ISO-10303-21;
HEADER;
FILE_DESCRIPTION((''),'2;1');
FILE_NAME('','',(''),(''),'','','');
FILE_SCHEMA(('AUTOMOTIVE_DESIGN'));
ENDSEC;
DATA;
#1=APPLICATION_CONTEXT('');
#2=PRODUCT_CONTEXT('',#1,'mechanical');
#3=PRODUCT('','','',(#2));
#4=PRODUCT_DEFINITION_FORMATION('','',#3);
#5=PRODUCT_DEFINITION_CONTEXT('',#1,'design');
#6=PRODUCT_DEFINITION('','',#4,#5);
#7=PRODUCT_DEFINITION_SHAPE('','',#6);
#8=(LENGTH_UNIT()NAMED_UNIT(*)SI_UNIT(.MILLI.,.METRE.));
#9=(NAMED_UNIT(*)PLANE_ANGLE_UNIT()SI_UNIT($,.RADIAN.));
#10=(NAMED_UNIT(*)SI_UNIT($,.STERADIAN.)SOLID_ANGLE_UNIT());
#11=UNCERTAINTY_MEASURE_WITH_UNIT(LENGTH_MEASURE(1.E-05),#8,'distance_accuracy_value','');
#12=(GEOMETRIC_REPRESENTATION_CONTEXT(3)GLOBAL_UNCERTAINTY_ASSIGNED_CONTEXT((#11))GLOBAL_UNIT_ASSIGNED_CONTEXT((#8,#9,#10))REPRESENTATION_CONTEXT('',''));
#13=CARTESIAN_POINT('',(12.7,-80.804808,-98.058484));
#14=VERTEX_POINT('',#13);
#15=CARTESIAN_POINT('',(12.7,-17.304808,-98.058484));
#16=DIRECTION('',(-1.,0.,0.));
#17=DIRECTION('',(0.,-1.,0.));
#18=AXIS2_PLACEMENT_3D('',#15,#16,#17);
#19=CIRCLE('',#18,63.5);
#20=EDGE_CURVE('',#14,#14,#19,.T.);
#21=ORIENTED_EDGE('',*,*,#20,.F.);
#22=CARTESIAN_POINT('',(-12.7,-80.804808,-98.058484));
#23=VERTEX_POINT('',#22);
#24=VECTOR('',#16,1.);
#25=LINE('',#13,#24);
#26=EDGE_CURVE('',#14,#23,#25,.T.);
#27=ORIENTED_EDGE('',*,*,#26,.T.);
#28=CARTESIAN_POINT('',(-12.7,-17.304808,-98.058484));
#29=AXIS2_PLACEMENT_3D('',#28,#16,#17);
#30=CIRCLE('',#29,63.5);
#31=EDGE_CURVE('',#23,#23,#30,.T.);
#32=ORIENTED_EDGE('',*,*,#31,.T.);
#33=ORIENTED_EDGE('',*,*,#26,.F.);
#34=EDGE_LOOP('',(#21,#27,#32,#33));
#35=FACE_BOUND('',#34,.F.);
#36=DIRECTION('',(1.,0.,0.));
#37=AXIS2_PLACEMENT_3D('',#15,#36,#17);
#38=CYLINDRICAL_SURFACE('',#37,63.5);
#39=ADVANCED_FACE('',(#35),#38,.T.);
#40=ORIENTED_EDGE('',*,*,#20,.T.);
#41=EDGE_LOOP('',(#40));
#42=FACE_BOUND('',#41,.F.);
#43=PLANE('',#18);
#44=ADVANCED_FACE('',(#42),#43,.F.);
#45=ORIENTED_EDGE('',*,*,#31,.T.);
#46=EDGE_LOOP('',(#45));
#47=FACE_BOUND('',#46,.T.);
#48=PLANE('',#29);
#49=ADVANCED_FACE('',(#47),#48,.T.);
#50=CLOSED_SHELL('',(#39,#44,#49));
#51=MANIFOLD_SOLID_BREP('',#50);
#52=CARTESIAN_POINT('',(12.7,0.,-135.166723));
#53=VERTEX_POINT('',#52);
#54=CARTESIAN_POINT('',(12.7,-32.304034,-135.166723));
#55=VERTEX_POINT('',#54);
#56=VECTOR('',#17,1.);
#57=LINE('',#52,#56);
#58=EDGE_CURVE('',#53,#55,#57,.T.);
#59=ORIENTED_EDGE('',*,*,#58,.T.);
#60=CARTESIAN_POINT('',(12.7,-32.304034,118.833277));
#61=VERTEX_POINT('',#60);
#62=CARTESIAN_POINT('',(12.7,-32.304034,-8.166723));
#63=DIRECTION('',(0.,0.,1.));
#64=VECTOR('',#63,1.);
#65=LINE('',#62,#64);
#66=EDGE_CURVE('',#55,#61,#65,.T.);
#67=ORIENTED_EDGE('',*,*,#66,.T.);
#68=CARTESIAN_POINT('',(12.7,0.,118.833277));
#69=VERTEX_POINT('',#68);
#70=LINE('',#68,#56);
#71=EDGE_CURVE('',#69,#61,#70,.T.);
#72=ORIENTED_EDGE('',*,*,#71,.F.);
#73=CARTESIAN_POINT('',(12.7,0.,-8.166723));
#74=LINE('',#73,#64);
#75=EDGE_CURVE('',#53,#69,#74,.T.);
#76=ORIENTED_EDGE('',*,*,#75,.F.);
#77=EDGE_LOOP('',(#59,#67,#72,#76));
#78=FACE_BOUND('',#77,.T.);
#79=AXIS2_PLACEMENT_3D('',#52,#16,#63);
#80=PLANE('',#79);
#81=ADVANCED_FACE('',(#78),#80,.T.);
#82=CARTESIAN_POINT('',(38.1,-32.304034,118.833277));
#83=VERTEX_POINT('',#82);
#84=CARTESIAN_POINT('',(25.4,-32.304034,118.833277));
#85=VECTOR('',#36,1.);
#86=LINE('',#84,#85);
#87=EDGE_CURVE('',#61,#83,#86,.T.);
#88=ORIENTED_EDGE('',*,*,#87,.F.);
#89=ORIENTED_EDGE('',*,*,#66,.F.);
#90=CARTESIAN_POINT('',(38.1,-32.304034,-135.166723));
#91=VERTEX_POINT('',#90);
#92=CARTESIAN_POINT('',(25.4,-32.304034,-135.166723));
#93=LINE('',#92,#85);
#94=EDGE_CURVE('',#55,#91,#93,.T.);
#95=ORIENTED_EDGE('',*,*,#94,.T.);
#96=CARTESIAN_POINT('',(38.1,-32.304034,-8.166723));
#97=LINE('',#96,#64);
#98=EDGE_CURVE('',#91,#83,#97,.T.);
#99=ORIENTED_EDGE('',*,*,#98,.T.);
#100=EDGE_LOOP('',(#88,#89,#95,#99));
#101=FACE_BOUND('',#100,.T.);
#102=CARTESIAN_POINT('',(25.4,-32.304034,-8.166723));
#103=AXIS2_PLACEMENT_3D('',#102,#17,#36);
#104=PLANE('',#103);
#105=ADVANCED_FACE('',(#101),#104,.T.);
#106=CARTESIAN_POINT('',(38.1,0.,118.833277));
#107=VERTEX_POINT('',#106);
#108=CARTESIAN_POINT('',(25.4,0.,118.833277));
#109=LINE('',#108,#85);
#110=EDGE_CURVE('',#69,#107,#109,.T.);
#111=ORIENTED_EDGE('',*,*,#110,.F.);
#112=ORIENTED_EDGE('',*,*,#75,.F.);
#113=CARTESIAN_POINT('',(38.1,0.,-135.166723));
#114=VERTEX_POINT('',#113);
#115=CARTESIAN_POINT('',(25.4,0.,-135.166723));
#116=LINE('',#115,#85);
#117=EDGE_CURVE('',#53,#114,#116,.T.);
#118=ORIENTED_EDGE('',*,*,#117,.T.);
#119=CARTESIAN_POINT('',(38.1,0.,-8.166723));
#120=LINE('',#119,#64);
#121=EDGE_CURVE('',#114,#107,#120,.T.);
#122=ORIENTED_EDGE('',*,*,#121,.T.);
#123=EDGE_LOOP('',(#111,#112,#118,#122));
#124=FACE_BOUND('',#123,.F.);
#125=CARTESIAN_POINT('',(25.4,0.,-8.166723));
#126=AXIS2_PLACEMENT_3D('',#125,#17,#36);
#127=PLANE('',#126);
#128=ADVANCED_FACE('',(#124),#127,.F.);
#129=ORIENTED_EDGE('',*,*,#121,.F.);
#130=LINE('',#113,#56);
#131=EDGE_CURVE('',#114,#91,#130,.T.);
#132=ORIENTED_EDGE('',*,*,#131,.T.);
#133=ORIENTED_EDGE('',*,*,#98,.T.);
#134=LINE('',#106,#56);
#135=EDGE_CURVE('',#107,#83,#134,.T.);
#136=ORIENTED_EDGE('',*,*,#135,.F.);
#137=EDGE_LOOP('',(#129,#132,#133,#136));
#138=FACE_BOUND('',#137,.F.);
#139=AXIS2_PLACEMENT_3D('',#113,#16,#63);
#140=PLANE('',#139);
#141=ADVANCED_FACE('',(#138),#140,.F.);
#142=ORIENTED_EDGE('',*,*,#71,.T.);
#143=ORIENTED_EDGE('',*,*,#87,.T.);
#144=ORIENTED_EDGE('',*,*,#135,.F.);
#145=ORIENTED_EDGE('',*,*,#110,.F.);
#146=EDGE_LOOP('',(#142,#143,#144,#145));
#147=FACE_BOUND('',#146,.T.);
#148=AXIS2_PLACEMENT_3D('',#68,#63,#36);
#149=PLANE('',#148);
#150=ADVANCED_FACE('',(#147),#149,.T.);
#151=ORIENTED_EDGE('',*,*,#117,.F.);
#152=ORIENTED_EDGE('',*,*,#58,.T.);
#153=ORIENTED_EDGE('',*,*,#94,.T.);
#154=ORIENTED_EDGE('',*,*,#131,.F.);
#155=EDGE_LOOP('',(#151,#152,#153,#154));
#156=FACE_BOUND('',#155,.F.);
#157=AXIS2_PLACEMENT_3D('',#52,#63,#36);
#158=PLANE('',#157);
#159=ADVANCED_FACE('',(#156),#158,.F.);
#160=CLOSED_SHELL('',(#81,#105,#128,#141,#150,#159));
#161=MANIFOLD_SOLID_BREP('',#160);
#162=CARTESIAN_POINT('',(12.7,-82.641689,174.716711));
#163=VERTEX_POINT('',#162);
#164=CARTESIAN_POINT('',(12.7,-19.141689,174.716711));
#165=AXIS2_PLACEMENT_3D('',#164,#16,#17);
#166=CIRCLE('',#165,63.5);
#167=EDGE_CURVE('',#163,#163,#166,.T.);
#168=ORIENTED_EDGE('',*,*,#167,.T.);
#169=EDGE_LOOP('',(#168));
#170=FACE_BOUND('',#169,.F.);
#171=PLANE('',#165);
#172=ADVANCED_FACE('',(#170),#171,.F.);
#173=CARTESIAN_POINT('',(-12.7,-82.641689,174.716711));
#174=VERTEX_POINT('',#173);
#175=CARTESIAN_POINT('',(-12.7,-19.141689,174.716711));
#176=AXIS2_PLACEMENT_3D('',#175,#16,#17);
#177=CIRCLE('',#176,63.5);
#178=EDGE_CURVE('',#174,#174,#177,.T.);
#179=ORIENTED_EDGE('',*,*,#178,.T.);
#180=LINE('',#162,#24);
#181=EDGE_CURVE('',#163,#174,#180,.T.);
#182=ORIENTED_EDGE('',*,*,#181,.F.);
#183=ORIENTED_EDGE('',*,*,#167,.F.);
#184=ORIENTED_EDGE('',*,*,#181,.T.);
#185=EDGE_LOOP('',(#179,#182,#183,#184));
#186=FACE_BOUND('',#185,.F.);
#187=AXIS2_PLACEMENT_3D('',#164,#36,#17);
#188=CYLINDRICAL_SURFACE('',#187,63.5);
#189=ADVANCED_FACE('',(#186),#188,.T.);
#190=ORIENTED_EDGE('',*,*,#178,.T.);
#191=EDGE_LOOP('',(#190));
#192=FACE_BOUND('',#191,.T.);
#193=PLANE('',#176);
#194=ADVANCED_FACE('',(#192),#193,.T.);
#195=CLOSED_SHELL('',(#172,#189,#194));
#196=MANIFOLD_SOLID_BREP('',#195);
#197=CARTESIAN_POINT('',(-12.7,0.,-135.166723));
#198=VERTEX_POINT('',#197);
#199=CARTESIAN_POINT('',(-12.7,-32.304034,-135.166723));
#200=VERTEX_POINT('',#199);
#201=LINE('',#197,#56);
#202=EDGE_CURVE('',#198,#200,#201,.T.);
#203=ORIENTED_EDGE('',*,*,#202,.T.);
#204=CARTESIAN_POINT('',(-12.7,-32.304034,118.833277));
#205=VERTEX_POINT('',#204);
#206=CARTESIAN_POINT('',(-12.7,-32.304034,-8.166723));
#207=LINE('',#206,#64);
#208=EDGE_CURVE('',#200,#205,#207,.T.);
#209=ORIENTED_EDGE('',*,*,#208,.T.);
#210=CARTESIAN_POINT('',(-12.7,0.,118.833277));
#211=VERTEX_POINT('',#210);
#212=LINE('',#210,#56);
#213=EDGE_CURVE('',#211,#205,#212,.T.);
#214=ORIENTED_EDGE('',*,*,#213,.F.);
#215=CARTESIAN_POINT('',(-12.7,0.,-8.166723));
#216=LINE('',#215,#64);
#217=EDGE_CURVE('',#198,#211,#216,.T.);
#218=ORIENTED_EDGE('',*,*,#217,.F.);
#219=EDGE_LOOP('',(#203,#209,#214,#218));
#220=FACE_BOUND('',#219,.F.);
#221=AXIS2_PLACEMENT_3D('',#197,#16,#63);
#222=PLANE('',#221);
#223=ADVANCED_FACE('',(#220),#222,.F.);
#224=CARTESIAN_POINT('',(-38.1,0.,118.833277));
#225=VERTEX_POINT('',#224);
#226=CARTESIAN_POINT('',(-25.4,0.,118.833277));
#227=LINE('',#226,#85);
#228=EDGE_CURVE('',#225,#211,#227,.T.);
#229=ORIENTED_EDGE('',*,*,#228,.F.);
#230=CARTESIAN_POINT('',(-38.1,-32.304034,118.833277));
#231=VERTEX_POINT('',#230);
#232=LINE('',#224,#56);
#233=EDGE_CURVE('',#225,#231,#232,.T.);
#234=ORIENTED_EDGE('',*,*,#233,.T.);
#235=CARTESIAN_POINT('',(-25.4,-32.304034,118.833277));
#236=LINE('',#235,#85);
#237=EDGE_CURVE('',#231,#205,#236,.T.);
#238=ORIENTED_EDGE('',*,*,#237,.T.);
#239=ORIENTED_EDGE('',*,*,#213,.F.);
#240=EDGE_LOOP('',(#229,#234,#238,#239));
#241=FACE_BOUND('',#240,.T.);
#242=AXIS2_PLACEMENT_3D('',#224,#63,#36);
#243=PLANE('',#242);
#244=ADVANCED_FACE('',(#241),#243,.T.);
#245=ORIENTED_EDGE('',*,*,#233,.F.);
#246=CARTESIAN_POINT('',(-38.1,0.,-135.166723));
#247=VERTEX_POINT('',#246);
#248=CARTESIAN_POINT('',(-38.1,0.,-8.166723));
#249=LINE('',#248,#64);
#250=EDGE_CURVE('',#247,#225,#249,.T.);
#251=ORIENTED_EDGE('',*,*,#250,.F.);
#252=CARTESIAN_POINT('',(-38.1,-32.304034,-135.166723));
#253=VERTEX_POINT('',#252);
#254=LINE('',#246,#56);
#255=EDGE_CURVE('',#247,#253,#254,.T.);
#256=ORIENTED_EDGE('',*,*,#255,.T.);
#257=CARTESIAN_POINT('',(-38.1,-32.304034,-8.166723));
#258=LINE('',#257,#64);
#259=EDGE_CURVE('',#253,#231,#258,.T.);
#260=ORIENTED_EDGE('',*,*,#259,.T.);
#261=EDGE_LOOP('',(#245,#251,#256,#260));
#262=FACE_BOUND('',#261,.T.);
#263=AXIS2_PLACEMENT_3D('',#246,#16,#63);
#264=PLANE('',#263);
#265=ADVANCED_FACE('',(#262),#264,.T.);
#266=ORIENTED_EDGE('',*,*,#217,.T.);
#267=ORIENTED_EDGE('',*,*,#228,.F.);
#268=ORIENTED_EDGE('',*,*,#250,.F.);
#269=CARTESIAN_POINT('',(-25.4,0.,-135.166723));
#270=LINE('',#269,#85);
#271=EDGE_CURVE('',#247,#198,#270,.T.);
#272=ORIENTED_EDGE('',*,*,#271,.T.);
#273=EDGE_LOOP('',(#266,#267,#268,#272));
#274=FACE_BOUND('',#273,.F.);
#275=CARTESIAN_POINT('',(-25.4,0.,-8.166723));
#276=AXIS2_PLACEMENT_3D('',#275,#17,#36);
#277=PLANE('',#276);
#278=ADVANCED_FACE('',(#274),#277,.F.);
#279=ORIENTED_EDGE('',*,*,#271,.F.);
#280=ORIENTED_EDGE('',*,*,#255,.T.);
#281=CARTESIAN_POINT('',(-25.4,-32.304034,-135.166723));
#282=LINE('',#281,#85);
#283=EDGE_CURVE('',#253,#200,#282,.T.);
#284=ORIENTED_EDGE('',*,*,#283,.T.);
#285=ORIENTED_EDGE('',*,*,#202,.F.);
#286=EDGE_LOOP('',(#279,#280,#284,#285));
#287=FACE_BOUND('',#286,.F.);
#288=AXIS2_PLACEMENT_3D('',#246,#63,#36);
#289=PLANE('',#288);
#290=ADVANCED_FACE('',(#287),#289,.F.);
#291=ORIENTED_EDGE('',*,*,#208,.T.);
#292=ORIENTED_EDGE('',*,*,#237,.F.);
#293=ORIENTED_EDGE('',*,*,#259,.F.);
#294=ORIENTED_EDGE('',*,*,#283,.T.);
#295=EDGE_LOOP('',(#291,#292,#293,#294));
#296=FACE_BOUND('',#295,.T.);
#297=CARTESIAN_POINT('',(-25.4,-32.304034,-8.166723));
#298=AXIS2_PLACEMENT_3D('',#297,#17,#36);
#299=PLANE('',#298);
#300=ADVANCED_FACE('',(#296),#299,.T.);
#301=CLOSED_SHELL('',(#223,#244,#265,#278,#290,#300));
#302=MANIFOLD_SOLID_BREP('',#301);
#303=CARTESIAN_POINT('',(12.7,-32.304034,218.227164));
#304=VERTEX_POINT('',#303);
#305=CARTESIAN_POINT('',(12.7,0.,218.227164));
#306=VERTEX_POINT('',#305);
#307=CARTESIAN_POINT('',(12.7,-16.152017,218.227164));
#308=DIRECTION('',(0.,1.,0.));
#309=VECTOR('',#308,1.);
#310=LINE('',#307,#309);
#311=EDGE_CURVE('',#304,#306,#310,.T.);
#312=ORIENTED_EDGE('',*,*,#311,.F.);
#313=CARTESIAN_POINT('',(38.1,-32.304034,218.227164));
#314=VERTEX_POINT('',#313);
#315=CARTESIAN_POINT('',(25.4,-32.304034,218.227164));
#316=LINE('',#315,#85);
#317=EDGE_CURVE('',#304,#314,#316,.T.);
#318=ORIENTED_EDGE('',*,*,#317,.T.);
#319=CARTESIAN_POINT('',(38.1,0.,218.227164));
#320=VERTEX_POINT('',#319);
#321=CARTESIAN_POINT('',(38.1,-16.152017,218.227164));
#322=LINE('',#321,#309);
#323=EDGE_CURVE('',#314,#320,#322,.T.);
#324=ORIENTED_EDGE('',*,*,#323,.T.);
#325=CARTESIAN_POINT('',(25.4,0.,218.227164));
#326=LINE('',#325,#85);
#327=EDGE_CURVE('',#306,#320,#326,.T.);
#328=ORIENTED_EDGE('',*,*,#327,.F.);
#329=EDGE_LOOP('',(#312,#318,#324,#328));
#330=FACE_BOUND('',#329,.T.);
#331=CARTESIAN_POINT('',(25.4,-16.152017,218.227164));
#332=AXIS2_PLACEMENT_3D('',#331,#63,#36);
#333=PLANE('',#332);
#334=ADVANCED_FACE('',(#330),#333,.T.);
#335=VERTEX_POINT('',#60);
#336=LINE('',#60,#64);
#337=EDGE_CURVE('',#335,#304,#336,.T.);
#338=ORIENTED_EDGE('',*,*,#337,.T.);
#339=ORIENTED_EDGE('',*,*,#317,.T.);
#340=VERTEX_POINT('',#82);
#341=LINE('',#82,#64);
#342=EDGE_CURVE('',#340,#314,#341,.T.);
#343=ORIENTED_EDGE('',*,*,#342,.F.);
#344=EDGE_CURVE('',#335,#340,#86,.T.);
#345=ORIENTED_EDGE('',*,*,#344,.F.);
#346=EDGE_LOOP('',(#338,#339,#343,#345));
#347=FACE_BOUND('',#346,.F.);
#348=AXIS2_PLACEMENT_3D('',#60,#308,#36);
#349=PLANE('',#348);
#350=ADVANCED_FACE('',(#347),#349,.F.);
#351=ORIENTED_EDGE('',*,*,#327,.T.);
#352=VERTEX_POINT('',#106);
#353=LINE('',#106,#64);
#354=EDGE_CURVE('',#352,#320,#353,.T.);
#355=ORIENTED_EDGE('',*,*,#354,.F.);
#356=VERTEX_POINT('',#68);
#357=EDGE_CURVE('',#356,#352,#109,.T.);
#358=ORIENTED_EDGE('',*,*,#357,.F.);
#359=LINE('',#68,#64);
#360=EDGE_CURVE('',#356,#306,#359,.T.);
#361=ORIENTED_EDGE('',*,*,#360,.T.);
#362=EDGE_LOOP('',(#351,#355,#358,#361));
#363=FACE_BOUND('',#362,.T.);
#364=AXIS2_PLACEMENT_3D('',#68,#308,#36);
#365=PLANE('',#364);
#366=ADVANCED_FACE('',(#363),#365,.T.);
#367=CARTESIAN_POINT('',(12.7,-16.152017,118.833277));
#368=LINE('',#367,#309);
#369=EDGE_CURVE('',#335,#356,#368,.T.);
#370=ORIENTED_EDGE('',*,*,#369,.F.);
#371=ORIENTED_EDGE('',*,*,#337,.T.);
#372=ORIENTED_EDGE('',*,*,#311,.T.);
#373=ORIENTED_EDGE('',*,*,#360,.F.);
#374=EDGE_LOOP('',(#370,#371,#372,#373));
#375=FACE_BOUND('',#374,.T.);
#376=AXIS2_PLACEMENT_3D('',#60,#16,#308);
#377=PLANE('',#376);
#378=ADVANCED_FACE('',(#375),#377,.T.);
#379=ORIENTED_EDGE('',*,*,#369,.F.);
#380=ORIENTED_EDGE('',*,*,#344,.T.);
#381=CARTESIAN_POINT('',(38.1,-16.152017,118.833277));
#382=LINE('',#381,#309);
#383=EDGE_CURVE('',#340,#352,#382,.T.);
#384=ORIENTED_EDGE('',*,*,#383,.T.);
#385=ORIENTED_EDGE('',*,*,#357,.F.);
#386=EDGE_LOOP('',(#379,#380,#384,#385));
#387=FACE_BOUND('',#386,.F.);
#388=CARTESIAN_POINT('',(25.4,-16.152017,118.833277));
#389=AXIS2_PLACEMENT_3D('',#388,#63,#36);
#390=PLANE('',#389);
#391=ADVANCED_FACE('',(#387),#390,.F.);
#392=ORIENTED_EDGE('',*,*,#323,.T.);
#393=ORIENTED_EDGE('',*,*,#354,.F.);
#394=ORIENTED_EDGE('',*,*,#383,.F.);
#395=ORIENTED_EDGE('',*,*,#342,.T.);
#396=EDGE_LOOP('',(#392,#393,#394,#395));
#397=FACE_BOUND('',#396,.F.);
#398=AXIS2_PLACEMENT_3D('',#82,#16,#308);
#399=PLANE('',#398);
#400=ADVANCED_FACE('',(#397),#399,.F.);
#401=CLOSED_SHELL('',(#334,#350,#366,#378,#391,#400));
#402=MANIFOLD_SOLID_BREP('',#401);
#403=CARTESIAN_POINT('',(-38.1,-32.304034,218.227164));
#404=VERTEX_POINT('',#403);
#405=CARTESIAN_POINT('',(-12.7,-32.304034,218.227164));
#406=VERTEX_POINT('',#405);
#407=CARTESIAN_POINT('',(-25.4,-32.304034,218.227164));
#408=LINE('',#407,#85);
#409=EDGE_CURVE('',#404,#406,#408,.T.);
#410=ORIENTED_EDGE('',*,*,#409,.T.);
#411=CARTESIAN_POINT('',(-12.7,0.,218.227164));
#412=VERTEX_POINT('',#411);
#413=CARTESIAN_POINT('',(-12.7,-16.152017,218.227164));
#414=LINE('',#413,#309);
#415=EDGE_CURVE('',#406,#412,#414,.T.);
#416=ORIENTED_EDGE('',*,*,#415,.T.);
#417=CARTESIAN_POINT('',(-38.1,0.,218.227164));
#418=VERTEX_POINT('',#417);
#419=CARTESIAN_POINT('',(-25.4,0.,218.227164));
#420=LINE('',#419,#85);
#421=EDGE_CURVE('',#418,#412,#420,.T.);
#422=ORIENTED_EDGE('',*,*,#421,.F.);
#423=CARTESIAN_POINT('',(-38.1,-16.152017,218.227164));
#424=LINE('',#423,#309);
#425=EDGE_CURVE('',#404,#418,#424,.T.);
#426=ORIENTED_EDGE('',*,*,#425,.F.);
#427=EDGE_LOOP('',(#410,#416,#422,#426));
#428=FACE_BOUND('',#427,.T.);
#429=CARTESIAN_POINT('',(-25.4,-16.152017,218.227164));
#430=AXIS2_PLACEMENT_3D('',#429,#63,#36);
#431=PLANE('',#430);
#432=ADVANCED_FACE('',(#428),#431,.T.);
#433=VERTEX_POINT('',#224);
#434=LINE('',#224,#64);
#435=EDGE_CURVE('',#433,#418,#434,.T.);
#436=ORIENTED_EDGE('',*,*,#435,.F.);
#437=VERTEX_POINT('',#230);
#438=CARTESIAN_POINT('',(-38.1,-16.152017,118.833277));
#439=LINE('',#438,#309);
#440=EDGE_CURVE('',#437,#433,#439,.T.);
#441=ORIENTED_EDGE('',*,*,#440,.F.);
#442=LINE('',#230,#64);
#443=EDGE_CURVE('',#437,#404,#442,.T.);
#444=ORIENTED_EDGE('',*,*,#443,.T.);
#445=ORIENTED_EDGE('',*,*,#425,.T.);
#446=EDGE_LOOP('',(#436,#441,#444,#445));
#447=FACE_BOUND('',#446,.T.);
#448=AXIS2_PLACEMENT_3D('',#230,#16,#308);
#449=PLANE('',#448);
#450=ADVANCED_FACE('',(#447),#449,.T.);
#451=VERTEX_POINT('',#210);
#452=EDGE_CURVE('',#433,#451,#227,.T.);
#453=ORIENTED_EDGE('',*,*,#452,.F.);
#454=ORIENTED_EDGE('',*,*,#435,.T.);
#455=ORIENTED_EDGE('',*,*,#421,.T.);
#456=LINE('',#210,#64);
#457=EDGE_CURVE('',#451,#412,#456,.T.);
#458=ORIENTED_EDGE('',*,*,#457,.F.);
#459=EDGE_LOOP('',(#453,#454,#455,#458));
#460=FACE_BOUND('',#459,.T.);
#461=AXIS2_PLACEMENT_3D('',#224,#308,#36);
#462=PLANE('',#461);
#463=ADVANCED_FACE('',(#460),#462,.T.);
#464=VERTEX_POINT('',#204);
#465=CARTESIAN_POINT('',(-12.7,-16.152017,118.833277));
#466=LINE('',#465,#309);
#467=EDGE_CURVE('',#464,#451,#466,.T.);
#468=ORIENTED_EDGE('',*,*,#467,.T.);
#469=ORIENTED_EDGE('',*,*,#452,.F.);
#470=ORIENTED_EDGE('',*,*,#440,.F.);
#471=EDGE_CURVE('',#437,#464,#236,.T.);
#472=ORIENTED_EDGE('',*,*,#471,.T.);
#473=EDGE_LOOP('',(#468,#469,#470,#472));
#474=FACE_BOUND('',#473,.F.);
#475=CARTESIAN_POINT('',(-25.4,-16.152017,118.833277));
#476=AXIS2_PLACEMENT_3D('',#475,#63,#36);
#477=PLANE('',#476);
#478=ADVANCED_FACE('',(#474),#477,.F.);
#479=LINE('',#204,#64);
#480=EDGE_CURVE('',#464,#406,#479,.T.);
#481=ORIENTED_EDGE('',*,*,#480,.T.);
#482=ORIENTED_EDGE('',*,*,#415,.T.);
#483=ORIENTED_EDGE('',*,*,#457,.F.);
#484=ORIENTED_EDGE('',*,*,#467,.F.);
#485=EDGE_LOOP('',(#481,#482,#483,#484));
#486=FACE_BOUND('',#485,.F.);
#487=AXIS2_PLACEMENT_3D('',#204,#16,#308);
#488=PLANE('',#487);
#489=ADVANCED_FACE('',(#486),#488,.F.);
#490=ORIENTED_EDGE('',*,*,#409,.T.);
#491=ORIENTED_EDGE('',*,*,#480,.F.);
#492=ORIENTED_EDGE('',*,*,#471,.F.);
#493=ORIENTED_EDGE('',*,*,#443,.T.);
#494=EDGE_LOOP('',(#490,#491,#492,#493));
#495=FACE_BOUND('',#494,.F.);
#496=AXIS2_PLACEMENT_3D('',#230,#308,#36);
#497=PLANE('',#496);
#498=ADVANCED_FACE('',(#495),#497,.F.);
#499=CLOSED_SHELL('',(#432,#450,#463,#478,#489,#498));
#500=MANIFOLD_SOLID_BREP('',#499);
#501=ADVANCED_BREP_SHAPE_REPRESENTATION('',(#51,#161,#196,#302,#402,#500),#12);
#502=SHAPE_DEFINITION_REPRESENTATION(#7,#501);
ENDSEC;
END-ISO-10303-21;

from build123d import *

# Parameters (mm, degrees)
F0_W      = 25.4
F0_H      = 254
F2_DEPTH  = 32.304034
F2_FACE_W = 25.4
F2_FACE_H = 32.304034
F3_DEPTH  = 99.393887
F4_R      = 63.5
F5_DEPTH  = 25.4


with BuildPart() as f2:
    # F0 (on Front) → F2 (new body)
    with BuildSketch(Plane.XZ):
        with Locations((-25.4, -8.166723)):
            Rectangle(F0_W, F0_H)
        with Locations((25.4, -8.166723)):
            Rectangle(F0_W, F0_H)
    extrude(amount=F2_DEPTH)


with BuildPart() as f3:
    # F2_face (on face) → F3 (new body)
    with BuildSketch(Plane(origin=(25.4, -16.152017, 118.833277), x_dir=(1, 0, 0), z_dir=(0, 0, 1))):
        Rectangle(F2_FACE_W, F2_FACE_H)
        with Locations((-50.8, 0)):
            Rectangle(F2_FACE_W, F2_FACE_H)
    extrude(amount=F3_DEPTH)


with BuildPart() as f5:
    # F4 (on face) → F5 (new body)
    with BuildSketch(Plane(origin=(12.7, 0, 0), x_dir=(0, -1, 0), z_dir=(-1, 0, 0))):
        with Locations((19.141689, 174.716711)):
            Circle(F4_R)
        with Locations((17.304808, -98.058484)):
            Circle(F4_R)
    extrude(amount=F5_DEPTH)


solid = Compound([f2.part, f3.part, f5.part])
